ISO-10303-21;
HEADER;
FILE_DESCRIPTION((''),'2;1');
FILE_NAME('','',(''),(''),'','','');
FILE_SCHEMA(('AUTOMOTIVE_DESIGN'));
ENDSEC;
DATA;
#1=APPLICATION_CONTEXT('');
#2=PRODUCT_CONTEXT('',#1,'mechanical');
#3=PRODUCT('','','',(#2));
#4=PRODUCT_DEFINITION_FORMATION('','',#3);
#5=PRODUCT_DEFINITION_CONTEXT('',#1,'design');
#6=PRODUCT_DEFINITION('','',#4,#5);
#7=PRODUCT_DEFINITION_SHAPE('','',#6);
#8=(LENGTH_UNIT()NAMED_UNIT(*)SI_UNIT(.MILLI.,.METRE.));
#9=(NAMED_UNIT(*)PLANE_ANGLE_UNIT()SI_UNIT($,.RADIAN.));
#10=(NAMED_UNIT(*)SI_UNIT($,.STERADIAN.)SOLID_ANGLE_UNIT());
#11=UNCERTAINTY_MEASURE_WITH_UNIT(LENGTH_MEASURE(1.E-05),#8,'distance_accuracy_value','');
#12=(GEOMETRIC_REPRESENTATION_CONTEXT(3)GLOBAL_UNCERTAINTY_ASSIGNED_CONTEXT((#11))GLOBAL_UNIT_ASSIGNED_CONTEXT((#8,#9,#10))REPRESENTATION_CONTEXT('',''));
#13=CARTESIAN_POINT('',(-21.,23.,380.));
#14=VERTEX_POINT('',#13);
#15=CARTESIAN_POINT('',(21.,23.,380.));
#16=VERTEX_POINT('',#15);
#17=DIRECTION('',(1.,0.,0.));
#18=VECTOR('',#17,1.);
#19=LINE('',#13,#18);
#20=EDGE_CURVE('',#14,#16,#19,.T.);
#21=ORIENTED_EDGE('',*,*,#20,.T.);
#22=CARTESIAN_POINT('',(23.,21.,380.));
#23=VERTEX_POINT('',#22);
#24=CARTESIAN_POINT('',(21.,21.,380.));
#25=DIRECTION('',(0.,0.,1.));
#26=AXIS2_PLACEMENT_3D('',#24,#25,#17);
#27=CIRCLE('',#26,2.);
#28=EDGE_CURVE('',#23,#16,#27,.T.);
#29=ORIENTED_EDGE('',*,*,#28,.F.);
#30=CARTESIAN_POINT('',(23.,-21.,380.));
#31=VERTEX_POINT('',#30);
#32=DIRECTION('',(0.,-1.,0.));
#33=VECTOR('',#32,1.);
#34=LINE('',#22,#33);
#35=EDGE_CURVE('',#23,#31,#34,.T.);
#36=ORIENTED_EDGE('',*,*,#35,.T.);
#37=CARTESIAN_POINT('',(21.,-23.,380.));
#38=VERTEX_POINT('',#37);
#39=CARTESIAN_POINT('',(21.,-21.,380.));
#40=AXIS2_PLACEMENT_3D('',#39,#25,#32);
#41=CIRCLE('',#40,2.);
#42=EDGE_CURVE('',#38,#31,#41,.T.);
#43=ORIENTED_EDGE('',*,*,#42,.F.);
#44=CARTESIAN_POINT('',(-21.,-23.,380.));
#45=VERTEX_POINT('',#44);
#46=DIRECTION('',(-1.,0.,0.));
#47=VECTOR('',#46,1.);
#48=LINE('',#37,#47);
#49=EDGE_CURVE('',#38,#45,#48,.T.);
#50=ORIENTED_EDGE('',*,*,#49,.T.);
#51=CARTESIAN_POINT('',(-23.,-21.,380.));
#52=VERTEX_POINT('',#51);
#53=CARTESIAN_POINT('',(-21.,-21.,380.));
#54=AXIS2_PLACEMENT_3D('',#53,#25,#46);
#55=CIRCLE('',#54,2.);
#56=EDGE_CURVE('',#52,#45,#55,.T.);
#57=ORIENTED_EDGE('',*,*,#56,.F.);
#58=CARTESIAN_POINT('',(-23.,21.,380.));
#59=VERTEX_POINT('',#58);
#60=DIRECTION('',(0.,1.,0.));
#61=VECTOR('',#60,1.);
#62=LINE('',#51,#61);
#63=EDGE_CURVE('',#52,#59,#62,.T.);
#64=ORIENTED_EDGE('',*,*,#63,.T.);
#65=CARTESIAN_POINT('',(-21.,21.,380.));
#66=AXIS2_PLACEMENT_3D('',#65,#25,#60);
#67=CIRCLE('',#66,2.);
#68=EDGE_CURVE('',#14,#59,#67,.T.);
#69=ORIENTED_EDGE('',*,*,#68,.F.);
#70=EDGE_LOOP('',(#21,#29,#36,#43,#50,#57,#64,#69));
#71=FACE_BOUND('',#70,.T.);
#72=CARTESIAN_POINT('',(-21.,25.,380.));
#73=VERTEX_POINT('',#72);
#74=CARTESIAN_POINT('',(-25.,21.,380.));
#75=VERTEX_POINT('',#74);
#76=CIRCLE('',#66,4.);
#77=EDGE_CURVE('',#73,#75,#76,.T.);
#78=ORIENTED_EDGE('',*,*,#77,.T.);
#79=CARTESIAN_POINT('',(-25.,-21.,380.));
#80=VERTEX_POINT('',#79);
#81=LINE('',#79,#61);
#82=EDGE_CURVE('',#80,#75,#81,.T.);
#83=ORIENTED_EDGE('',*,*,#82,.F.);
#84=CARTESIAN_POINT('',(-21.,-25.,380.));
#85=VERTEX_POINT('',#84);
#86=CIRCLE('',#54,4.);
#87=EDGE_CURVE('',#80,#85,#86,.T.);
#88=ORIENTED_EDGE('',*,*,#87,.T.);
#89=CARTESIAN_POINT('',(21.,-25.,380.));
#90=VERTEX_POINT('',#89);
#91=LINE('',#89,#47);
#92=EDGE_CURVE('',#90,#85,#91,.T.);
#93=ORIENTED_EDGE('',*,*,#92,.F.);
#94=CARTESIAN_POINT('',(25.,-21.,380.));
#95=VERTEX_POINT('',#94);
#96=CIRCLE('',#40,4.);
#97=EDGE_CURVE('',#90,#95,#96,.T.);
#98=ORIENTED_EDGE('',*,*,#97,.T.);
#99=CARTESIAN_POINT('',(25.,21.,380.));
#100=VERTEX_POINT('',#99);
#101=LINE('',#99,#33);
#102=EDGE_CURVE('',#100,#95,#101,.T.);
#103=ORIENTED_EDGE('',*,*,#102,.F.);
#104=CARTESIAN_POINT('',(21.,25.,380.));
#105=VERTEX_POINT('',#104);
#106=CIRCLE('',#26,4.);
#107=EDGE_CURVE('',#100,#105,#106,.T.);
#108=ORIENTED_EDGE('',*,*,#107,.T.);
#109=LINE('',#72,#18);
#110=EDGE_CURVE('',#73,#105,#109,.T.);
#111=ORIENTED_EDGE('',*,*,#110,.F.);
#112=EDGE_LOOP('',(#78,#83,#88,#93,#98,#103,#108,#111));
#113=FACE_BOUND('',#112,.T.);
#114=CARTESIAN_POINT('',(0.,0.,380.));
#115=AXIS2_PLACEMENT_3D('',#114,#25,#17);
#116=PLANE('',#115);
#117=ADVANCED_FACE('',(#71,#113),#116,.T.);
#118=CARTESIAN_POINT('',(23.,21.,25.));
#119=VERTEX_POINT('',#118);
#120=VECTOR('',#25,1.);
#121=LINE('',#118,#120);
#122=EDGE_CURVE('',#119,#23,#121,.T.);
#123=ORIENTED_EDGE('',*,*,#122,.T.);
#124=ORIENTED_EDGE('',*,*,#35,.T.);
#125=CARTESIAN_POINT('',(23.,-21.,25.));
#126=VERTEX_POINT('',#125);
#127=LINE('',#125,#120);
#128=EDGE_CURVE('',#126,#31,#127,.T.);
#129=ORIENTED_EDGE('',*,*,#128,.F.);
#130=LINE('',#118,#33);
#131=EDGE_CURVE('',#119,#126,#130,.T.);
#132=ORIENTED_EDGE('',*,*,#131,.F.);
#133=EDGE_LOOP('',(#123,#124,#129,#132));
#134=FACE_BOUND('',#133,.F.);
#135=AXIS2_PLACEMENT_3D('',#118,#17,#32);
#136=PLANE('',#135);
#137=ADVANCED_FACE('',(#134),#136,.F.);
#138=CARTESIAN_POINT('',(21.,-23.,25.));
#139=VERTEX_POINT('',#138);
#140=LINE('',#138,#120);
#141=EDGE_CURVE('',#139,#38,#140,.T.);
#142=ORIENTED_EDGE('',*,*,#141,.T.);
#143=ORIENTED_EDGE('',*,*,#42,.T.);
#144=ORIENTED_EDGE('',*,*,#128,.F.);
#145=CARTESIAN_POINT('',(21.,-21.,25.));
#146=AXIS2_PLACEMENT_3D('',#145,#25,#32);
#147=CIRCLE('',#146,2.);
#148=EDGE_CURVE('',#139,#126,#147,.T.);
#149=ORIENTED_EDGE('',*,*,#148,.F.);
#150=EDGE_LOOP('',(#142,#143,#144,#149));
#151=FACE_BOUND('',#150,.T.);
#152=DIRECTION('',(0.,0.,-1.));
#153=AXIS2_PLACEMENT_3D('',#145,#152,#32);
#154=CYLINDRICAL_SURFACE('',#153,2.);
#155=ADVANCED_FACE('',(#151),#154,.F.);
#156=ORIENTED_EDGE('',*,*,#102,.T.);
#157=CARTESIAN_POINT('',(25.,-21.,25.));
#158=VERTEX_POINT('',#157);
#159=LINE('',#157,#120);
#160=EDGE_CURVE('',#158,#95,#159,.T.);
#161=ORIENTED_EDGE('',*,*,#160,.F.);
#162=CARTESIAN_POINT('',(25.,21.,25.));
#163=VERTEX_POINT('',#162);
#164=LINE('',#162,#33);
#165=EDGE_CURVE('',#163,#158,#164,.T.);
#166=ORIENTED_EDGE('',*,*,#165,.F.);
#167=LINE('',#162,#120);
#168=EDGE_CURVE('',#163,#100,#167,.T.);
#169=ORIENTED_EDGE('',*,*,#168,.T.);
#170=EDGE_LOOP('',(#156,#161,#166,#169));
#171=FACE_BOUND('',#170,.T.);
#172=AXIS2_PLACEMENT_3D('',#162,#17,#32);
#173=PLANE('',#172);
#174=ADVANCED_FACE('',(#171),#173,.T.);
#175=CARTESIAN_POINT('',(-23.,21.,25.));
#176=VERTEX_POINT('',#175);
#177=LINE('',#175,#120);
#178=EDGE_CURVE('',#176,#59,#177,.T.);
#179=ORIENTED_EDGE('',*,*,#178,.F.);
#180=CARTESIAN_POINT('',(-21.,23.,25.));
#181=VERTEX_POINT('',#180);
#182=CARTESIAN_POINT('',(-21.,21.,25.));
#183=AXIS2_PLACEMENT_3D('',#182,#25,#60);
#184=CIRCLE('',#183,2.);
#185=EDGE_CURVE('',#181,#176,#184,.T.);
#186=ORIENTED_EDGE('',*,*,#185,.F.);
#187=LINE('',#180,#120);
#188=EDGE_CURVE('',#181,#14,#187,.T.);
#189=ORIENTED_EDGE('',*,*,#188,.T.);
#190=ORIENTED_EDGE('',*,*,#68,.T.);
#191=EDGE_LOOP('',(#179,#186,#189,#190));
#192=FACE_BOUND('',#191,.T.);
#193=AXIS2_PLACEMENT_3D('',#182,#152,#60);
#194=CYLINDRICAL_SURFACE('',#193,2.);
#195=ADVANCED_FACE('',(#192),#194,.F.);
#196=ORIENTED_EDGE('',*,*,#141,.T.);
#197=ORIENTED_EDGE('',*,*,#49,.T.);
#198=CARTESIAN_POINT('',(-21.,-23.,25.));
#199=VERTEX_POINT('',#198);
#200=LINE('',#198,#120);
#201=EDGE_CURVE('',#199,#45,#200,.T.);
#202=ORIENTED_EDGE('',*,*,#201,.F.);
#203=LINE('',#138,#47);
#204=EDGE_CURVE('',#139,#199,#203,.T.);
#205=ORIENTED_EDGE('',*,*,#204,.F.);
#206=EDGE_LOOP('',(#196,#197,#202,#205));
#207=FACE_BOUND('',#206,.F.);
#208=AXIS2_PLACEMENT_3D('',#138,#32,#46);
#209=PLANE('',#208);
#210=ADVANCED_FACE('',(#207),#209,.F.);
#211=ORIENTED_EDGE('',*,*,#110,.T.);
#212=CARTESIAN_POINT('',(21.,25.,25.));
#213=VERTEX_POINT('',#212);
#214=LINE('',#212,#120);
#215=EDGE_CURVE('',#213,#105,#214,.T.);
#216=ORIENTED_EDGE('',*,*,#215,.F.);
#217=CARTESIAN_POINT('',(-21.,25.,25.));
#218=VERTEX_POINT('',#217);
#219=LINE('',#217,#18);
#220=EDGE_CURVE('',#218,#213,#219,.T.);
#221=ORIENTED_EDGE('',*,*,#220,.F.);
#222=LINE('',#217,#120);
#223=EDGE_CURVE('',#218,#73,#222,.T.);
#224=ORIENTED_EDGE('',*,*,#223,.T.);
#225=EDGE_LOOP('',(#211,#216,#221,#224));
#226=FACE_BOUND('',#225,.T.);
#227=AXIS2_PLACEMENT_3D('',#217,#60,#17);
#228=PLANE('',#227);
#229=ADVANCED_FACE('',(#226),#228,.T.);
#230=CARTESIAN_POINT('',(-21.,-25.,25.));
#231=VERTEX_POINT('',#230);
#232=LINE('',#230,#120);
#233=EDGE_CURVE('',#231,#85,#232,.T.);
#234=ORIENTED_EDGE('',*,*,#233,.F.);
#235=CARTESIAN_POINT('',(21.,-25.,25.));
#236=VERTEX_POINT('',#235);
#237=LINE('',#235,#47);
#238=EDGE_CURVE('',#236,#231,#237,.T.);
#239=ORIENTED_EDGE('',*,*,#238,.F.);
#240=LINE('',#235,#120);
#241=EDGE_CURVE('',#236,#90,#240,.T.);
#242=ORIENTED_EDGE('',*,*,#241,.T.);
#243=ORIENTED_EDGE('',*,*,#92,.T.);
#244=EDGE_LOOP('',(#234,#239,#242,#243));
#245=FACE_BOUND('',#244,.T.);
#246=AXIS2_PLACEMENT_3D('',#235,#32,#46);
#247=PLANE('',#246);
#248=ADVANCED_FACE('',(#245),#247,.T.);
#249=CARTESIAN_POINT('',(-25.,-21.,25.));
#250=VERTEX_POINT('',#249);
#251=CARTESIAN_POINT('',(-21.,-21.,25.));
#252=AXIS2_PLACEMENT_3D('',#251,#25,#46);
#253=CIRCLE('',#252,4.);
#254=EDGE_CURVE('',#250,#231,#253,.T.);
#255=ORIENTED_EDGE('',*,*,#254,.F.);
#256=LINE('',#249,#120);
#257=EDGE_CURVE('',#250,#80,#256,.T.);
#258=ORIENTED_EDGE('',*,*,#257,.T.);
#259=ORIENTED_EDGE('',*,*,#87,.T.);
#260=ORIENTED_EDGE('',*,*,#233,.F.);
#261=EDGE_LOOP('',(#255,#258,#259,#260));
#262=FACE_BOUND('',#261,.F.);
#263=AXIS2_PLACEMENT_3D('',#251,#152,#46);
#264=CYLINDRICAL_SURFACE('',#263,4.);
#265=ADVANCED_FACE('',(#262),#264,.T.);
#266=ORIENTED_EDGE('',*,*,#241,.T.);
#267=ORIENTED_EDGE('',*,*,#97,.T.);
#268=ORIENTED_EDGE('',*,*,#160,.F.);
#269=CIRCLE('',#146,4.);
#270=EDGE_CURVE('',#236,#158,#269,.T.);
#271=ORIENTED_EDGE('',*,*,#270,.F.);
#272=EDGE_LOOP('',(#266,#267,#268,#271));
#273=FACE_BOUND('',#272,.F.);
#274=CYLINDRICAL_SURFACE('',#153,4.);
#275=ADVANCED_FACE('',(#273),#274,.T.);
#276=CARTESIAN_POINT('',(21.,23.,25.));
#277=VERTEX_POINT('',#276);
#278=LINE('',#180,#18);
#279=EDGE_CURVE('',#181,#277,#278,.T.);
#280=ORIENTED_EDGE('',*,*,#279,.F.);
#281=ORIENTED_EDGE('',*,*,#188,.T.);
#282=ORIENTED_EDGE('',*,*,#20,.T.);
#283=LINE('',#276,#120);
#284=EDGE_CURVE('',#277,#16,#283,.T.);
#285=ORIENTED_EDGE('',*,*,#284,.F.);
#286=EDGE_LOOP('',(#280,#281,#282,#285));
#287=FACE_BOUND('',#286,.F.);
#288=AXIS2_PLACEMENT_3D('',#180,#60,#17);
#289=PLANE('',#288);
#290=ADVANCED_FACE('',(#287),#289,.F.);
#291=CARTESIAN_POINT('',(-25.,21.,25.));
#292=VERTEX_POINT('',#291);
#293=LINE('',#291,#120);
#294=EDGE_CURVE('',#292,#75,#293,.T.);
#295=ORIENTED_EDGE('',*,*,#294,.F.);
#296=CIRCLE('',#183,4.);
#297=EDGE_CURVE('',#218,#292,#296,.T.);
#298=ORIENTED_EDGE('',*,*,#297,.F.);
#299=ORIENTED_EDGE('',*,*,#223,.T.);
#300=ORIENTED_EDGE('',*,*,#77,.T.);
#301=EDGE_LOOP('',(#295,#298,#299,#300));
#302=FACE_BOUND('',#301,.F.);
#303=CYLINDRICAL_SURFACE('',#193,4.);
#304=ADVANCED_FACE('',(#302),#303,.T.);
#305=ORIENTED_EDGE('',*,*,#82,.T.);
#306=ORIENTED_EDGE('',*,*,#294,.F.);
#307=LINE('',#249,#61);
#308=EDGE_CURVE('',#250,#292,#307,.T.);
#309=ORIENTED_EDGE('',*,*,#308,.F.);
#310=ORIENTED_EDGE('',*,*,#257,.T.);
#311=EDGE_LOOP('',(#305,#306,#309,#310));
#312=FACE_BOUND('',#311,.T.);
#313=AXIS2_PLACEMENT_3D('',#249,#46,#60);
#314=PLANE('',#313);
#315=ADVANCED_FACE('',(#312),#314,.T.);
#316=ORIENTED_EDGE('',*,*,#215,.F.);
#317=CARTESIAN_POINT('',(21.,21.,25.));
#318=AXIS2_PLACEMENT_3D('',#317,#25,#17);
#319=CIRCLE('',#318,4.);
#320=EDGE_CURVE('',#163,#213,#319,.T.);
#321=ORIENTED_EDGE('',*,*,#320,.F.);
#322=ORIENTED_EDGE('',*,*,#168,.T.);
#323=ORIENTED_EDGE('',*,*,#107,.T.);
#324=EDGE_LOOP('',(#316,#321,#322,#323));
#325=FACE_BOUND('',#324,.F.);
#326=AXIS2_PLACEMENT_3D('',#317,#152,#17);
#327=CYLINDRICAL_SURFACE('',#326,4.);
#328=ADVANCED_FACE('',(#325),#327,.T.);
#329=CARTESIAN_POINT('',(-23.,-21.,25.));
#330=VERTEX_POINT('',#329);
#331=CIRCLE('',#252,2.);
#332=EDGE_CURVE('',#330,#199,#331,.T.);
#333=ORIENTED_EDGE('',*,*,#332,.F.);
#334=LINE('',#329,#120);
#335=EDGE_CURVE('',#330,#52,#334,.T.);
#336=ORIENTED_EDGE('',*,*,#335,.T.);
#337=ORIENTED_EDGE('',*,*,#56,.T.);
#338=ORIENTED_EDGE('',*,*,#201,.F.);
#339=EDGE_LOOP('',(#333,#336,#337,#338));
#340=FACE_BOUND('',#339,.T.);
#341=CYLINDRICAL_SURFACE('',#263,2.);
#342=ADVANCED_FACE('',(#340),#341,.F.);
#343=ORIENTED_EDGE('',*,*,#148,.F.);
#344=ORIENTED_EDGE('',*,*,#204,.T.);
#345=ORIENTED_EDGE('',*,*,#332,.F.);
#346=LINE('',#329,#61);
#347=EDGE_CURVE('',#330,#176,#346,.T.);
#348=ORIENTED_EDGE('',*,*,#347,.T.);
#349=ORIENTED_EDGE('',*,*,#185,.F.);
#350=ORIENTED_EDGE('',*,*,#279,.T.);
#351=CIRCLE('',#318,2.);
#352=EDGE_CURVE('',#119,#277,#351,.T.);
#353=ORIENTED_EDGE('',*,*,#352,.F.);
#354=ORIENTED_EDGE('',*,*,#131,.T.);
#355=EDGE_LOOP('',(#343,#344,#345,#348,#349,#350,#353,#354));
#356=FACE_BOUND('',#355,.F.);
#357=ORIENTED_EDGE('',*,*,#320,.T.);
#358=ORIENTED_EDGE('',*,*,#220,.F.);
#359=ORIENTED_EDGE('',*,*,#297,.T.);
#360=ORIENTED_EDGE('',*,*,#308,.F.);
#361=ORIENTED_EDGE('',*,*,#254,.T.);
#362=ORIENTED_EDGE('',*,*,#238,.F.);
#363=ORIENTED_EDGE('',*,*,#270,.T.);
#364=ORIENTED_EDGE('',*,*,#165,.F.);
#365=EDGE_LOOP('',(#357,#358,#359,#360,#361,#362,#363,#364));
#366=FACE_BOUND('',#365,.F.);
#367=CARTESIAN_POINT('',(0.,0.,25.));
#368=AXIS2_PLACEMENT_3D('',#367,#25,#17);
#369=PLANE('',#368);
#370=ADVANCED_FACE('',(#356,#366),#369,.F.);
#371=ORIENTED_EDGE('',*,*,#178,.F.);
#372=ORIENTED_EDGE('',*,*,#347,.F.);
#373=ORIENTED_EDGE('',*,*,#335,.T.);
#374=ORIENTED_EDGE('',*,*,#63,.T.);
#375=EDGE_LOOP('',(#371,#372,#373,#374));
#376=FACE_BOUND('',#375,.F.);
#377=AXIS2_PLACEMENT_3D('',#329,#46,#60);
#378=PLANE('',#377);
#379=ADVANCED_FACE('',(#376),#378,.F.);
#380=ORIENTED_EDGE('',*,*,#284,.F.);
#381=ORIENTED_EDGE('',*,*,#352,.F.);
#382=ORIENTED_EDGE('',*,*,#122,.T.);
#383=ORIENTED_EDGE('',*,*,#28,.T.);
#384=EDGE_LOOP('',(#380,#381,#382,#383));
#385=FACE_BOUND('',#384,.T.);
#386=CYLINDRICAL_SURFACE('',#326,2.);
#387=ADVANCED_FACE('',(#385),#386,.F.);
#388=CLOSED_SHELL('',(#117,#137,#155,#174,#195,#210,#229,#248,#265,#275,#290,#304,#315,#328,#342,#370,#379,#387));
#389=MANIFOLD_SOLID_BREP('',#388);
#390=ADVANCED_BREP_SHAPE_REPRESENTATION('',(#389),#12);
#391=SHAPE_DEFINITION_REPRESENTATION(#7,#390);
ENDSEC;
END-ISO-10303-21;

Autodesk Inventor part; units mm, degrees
ref_plane "Plano inicial" through (0, 0, 25) normal (0, 0, 1) x (1, 0, 0)
ref_plane "Plano final" through (0, 0, 380) normal (0, 0, 1) x (1, 0, 0)
sketch "Boceto" plane through (0, 0, 0) normal (0, 0, 1) x (1, 0, 0)
  line L0 (-25, -21) -> (-25, 21)
  line L1 (-21, 25) -> (21, 25)
  line L2 (25, 21) -> (25, -21)
  line L3 (21, -25) -> (-21, -25)
  arc A0 (-25, -21) -> (-21, -25) centre (-21, -21) ccw
  arc A1 (25, 21) -> (21, 25) centre (21, 21) ccw
  arc A2 (-21, 25) -> (-25, 21) centre (-21, 21) ccw
  arc A3 (21, -25) -> (25, -21) centre (21, -21) ccw
  arc A4 (-21, 23) -> (-23, 21) centre (-21, 21) ccw
  line L4 (-21, 23) -> (21, 23)
  arc A5 (23, 21) -> (21, 23) centre (21, 21) ccw
  line L5 (23, 21) -> (23, -21)
  arc A6 (21, -23) -> (23, -21) centre (21, -21) ccw
  line L6 (21, -23) -> (-21, -23)
  arc A7 (-23, -21) -> (-21, -23) centre (-21, -21) ccw
  line L7 (-23, -21) -> (-23, 21)
  line L8 (0, 36.1598) -> (0, -36.1598) construction
  line L9 (-36.1598, 0) -> (36.1598, 0) construction
  dimension "d7" = 4
  dimension "d9" = 50
  dimension "d11" = 50
  dimension "d12" = 2
  dimension "d15" = 25
  dimension "d16" = 25
extrude "Cuerpo" add sketch "Boceto" along normal up to surface (355 mm away) from surface at 25
sketch "Sketch3" plane through (0, 0, 0) normal (0, 0, 1) x (1, 0, 0)
  line L0 (0, 0) -> (10, 0)
ref_plane "Work Plane3" through (0, 0, 0) normal (0, -1, 0) x (1, 0, 0)
sketch "Sketch4" plane through (0, 0, 0) normal (0, -1, 0) x (1, 0, 0)
  line L0 (-2, 25) -> (12, 25)
  line L1 (-2, 380) -> (12, 380)
  dimension "d18" = 355
ref_plane "Plano de trabajo4" through (-150.06, 21, 380) normal (0, 0, 1) x (1, 0, 0)
split "Dividir1" plane through (-150.06, 21, 380) removes the side toward (0, 0, 1)
ref_plane "Plano de trabajo5" through (-150.06, -21, 25) normal (0, 0, -1) x (-1, 0, 0)
split "Dividir2" plane through (-150.06, -21, 25) removes the side toward (0, 0, -1)
equation "\"d7\" = G_IR"
equation "\"d9\" = G_W"
equation "\"d11\" = G_H"
equation "\"d12\" = G_T"
equation "\"d15\" = 0.5 * d9"
equation "\"d16\" = 0.5 * d11"
equation "\"d3\" = G_L"
equation "\"G_W\" = 50"
equation "\"G_H\" = 50"
equation "\"G_T\" = 2"
equation "\"G_IR\" = 4"
equation "\"G_L\" = d18"
equation "\"G_OFFSET_START\" = -25"
equation "\"G_OFFSET_END\" = -25"
equation "\"d13\" = -G_OFFSET_START"
equation "\"B_L\" = 405"
properties part number "ISO 10799-2 - 50x50x2 - 355" material "Galvanizado catalogo 1"
